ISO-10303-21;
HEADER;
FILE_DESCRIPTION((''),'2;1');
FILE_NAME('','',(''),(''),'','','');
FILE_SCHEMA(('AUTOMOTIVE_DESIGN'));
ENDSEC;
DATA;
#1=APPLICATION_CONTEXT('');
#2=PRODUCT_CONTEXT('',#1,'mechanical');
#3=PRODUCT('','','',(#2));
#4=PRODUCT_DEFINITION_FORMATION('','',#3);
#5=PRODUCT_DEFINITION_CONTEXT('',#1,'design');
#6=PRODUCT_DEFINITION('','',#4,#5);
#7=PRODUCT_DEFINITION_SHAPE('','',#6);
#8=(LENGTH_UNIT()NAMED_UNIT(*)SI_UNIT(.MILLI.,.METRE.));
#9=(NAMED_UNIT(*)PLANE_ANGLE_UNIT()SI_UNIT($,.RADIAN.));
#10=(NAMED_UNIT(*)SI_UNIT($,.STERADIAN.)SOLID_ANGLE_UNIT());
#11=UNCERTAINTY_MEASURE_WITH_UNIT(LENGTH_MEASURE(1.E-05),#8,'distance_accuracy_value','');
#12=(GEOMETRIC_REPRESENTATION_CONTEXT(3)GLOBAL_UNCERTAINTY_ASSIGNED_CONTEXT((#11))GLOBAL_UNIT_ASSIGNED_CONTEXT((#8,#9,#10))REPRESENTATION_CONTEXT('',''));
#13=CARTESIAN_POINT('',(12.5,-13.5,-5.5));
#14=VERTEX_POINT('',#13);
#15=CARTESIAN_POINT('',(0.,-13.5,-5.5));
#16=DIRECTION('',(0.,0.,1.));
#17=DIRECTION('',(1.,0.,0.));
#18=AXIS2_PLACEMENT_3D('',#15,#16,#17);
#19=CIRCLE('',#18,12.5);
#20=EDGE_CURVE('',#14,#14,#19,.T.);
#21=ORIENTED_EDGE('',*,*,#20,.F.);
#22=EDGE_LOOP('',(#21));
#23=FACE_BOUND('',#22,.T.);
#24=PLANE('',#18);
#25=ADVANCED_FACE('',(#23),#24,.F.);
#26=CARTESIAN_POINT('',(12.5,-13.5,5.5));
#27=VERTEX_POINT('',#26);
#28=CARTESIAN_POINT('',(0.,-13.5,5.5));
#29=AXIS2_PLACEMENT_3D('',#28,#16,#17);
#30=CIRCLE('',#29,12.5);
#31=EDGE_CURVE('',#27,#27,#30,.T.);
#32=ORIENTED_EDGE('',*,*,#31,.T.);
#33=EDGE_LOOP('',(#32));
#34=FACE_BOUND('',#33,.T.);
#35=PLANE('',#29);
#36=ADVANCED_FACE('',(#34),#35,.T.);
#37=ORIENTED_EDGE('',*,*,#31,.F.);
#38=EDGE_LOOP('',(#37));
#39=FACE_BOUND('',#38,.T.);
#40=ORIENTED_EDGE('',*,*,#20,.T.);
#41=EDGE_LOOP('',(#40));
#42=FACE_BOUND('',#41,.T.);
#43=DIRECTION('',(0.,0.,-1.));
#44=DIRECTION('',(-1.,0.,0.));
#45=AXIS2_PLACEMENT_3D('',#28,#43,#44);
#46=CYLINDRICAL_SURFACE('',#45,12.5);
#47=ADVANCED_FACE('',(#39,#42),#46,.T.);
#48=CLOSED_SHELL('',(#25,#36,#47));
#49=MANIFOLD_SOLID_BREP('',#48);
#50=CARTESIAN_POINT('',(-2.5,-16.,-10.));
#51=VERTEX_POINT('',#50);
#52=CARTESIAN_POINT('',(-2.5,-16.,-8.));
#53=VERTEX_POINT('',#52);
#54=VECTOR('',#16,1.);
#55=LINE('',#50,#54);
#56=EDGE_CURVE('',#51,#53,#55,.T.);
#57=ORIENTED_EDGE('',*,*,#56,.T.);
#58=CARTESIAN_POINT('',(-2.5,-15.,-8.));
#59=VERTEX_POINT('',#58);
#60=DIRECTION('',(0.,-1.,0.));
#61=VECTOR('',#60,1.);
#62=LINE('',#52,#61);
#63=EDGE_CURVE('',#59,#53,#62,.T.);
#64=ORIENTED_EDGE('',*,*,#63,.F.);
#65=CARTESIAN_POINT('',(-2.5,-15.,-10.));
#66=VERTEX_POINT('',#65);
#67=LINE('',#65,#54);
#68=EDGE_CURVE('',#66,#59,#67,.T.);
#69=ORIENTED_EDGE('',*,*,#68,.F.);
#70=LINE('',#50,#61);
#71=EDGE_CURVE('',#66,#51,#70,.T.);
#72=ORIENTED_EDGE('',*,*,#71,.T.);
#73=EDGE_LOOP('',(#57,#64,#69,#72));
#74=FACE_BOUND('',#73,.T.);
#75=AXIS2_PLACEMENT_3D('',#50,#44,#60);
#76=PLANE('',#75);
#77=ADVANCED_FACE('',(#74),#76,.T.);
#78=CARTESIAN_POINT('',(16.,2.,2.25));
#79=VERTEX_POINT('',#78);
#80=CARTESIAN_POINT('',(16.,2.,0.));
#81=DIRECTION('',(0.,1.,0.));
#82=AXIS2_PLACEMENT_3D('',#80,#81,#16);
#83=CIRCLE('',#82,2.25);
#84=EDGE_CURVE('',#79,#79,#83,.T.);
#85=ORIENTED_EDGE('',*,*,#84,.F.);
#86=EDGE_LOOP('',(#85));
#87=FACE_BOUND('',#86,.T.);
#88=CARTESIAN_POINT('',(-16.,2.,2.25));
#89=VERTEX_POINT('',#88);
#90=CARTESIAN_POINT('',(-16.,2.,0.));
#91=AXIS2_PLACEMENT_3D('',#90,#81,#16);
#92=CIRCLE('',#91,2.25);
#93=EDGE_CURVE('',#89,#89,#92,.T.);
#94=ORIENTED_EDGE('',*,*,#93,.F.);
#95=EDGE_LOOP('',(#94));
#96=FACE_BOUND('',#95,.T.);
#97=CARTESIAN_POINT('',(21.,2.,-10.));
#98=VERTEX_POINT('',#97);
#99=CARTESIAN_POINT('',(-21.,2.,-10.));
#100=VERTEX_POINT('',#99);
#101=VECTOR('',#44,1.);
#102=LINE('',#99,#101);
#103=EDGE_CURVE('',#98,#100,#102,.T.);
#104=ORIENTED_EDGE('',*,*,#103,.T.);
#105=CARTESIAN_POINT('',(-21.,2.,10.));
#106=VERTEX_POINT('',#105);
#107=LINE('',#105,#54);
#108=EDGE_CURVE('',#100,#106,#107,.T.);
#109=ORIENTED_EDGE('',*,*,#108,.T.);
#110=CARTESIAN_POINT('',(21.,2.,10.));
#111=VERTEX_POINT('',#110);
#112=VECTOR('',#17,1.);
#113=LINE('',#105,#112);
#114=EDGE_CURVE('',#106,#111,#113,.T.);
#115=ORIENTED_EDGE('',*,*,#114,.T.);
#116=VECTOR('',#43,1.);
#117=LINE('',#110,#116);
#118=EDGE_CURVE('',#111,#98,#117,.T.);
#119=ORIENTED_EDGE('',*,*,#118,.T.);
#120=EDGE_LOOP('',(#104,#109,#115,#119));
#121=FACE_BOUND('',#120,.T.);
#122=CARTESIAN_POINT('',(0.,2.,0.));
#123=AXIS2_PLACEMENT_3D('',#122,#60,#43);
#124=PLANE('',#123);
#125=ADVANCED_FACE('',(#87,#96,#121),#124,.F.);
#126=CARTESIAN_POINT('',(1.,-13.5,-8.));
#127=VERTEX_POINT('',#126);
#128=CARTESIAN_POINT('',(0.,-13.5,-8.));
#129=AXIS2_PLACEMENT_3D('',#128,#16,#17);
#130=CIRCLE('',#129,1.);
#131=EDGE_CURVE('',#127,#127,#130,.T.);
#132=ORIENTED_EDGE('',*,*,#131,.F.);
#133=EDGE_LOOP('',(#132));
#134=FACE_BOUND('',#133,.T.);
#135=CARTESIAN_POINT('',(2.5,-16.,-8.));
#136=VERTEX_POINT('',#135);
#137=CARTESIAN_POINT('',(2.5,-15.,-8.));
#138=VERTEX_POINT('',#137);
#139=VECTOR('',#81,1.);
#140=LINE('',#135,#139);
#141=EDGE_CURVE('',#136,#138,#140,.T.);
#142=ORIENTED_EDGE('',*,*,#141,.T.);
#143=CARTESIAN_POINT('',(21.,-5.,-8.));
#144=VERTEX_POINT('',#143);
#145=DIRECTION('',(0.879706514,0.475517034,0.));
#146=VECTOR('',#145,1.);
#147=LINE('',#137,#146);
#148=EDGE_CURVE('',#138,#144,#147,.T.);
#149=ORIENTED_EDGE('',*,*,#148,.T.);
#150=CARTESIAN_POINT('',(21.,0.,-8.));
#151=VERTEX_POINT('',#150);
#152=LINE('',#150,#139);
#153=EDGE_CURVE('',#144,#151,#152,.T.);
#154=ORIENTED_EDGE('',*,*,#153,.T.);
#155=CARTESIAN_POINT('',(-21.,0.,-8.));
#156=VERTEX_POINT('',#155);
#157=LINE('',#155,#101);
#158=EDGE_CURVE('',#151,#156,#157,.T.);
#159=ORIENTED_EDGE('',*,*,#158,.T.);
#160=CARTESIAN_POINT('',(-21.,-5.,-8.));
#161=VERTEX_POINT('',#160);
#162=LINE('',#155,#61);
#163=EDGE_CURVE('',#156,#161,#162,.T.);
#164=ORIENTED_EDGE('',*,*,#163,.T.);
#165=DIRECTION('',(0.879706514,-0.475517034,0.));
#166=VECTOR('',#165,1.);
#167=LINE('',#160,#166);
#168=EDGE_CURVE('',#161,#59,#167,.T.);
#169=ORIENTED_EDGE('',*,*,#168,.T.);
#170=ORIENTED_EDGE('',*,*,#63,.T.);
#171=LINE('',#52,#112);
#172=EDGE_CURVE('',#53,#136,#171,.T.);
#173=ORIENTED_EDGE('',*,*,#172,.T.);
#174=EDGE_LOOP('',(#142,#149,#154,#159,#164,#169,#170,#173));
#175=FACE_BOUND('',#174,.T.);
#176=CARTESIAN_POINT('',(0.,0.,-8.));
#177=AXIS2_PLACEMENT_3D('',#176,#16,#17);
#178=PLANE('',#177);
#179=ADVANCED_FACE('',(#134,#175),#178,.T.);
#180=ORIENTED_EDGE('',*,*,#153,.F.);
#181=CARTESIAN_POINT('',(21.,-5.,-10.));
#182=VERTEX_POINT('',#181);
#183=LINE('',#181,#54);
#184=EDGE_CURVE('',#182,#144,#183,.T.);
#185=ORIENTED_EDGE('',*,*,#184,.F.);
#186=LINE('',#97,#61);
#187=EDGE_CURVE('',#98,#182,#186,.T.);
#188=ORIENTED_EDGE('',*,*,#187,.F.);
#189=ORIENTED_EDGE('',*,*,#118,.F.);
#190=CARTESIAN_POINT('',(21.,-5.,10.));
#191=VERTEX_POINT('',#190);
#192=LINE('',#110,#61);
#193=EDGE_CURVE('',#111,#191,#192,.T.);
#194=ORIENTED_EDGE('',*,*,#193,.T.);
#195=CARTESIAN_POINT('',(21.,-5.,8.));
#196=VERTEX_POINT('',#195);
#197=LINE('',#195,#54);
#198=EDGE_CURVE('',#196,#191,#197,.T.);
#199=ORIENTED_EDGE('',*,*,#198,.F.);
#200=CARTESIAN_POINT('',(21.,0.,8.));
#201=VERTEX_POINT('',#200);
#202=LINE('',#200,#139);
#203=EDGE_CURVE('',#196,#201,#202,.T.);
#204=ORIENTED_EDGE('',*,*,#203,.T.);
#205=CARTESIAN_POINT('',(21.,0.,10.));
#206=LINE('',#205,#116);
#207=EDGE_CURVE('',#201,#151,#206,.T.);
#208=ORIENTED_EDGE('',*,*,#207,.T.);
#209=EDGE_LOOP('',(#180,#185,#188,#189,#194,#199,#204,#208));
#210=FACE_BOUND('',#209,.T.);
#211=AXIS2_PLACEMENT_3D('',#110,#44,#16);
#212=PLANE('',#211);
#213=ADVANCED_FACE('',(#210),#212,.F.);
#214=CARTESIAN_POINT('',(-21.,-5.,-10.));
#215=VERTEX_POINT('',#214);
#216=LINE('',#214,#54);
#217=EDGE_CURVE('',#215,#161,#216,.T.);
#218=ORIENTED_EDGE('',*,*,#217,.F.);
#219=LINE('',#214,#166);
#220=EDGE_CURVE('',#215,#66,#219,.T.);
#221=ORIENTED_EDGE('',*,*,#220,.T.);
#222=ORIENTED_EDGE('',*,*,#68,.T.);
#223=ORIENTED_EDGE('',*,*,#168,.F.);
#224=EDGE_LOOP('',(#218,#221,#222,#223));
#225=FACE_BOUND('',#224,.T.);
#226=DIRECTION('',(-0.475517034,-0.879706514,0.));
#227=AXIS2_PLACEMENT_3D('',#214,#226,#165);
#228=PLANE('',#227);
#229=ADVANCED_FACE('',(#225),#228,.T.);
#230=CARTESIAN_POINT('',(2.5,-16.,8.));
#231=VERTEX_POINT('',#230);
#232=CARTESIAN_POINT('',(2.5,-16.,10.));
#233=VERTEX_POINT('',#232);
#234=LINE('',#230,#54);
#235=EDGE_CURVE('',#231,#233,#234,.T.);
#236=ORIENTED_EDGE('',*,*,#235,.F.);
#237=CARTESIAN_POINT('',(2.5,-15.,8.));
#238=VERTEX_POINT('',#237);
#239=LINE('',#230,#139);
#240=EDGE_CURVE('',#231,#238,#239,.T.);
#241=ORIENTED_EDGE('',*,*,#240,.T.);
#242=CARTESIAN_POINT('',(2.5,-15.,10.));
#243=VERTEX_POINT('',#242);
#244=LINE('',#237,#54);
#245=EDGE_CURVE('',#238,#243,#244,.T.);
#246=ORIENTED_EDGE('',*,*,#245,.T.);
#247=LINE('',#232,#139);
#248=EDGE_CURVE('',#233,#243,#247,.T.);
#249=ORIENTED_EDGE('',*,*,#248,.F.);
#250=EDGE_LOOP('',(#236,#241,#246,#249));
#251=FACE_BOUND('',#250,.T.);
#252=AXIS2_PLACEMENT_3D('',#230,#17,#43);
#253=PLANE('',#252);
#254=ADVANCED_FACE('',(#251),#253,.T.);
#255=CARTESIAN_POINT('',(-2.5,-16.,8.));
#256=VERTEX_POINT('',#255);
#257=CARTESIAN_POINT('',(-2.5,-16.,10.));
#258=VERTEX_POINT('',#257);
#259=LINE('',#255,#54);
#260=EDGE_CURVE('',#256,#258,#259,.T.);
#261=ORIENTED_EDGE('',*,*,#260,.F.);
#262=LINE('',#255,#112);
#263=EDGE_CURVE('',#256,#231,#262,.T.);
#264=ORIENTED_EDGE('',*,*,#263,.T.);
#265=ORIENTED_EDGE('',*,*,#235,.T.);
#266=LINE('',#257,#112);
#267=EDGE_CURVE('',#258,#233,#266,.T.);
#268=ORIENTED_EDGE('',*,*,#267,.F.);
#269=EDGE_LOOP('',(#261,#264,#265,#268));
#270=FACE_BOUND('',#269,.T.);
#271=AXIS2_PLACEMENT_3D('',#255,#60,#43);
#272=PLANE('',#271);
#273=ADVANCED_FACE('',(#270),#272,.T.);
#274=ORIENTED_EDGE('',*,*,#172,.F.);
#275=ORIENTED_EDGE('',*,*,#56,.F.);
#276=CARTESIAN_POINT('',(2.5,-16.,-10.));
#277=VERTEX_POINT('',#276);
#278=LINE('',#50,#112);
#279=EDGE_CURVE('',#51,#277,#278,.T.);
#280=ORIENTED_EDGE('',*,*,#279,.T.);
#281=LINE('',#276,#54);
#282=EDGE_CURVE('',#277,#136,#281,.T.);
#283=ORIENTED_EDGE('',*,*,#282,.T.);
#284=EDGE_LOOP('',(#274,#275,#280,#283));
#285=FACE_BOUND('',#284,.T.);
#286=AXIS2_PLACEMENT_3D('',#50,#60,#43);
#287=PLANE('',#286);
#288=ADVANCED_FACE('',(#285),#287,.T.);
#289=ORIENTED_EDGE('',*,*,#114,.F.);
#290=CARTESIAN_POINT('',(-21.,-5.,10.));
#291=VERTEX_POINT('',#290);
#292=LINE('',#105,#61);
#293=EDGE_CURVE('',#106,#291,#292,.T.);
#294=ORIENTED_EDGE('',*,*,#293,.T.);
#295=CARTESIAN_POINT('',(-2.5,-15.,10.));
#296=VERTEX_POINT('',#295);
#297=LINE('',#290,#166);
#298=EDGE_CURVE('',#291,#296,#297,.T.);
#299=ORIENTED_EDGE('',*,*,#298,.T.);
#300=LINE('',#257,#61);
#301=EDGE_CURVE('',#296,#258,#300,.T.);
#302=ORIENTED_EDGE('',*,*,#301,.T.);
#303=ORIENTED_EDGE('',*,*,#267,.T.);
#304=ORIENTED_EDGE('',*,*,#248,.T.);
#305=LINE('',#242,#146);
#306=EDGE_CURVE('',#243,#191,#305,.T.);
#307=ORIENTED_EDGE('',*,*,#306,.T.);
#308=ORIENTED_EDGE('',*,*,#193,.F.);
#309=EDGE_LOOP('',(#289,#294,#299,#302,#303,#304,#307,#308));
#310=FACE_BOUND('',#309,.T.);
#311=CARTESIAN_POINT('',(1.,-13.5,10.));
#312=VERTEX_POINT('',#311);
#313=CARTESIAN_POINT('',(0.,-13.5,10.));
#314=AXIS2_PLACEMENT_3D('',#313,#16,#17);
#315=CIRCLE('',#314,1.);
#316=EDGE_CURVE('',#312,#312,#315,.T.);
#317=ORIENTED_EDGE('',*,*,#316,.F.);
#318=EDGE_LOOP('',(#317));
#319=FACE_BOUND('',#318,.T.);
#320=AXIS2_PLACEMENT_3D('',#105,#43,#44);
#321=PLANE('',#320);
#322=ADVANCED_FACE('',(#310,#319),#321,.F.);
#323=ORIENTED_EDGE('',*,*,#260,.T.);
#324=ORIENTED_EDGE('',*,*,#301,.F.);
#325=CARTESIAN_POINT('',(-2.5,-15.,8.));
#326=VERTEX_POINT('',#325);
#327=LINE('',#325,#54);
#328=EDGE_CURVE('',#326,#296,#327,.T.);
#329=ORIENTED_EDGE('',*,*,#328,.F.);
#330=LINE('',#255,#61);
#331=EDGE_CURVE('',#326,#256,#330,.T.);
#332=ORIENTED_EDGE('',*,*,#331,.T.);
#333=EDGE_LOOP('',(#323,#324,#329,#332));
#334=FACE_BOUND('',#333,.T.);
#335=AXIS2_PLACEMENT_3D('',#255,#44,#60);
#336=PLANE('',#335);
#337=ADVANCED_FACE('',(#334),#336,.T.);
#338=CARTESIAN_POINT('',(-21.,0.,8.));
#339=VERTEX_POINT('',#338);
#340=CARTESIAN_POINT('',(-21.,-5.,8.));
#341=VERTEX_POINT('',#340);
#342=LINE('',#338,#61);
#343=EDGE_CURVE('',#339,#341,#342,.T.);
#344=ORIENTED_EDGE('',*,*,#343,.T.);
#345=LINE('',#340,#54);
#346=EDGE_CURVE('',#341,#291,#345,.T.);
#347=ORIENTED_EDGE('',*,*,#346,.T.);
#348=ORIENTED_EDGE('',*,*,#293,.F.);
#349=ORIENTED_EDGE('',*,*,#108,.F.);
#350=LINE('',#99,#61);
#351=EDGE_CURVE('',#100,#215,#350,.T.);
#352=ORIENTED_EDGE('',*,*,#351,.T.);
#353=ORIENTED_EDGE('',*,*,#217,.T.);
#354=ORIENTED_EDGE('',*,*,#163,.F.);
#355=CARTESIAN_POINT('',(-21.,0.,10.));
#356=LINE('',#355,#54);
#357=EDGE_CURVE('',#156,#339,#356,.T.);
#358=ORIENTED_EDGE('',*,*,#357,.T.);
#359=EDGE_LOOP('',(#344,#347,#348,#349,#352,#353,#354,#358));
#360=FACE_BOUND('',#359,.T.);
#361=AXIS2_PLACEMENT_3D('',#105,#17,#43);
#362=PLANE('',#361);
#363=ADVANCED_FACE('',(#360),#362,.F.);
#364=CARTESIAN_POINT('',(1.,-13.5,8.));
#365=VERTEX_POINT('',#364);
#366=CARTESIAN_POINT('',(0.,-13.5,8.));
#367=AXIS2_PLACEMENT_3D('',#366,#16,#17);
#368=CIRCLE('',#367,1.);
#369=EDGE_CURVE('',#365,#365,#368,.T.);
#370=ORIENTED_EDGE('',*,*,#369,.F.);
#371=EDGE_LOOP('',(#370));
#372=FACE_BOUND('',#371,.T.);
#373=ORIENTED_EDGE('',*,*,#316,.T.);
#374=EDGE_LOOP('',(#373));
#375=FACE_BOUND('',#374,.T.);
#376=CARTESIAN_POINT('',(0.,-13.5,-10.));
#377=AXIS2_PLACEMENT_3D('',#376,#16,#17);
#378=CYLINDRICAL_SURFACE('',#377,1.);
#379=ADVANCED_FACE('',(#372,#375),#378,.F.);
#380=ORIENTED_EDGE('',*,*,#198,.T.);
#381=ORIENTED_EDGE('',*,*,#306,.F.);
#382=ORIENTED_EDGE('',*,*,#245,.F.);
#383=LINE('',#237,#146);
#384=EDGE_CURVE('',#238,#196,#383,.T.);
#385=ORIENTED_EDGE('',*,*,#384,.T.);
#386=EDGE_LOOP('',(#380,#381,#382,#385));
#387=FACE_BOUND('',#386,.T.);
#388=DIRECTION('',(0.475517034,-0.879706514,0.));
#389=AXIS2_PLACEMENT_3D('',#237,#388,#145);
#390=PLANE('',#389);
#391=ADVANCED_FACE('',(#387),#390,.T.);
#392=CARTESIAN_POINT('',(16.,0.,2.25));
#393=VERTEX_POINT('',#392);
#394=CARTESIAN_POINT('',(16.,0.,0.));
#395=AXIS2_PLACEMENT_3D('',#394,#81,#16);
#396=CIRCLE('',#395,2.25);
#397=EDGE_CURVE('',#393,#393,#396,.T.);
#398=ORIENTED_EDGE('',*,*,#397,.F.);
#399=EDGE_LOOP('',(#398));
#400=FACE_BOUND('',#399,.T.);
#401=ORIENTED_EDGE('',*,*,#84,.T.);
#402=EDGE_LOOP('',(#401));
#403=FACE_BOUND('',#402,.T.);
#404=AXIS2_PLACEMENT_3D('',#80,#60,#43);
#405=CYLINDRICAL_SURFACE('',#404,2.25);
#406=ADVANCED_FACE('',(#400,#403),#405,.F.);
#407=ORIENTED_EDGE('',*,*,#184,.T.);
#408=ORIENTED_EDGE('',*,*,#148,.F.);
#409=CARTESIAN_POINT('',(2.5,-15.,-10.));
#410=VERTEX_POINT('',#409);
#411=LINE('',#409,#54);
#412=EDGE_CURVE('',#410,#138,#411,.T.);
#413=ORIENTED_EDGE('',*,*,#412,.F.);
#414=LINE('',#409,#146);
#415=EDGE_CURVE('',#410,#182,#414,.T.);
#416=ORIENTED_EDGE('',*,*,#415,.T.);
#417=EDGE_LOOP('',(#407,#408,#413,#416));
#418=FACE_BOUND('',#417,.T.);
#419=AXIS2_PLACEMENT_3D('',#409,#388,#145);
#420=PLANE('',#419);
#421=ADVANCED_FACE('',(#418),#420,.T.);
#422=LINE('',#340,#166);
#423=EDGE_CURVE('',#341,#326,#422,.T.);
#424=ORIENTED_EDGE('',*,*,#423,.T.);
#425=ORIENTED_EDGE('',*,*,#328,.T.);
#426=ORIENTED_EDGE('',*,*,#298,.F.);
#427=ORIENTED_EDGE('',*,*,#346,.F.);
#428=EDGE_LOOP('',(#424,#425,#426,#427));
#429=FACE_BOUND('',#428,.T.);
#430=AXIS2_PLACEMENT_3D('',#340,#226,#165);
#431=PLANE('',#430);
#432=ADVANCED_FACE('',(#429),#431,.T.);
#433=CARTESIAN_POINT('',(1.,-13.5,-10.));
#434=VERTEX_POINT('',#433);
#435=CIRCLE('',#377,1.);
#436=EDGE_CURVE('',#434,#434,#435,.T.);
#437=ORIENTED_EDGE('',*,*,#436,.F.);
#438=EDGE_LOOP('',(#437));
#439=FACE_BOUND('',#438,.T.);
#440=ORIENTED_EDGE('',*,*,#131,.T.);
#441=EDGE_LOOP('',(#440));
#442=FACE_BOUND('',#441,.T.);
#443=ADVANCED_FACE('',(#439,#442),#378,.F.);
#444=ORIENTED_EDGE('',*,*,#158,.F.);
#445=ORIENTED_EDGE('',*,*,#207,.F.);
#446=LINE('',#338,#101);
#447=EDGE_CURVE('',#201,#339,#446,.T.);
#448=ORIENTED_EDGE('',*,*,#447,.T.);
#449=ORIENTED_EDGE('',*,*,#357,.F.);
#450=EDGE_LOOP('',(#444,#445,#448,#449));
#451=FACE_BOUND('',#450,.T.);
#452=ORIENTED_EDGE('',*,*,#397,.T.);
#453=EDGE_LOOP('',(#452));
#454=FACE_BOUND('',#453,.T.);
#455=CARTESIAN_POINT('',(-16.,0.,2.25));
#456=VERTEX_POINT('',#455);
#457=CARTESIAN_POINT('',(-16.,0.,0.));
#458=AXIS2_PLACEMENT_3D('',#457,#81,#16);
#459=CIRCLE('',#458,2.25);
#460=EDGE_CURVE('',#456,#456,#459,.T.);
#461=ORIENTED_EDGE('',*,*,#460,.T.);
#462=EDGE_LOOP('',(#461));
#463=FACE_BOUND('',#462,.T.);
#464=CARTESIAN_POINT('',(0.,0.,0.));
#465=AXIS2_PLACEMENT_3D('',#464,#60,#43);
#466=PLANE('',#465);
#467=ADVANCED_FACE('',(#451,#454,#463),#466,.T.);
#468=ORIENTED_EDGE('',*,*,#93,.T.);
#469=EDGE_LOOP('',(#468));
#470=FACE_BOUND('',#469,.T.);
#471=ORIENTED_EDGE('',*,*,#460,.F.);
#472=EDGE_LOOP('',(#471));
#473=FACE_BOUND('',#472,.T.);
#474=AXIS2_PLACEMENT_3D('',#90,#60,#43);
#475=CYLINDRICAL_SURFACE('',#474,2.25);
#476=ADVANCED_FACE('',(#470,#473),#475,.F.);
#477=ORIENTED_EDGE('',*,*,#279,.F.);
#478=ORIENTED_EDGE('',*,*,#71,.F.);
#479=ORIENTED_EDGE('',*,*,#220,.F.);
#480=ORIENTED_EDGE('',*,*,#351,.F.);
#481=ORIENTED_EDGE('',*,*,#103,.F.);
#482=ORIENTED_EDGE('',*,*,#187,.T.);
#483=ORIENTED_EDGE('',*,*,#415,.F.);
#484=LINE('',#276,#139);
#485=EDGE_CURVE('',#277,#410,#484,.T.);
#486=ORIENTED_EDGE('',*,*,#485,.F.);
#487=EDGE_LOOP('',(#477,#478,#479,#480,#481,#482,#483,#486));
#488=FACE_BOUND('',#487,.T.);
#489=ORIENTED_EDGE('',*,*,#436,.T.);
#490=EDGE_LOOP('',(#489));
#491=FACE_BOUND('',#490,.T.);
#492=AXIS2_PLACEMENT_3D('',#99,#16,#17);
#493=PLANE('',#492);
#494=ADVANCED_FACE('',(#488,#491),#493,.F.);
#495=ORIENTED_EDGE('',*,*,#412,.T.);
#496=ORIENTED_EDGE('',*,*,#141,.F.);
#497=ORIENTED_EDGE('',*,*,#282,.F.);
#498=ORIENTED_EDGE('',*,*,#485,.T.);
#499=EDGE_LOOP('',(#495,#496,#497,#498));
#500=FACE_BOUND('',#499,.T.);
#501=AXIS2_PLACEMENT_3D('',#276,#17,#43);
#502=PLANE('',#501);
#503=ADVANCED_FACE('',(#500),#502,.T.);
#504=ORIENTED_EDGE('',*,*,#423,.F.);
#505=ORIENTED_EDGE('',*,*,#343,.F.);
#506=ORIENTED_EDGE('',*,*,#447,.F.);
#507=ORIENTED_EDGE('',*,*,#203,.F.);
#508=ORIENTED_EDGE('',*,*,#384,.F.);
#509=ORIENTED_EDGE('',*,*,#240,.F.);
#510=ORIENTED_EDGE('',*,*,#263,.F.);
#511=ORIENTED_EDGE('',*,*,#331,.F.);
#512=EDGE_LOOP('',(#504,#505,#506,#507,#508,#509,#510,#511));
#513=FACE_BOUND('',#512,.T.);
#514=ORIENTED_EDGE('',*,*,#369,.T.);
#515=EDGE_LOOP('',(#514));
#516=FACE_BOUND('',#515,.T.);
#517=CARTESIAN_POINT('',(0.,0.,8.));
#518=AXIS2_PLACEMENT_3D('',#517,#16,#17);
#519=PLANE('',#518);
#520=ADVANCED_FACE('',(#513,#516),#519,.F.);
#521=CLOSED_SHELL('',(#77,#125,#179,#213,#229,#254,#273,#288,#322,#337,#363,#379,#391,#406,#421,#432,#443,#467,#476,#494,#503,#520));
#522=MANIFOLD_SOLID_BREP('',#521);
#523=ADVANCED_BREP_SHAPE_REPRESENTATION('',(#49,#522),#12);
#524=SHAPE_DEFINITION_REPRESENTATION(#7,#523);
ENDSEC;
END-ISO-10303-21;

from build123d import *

# Parameters (mm, degrees)
SKETCH_1_W               = 42
SKETCH_1_H               = 20
SKETCH_1_R               = 2.25
EXTRUDE_1_DEPTH          = 2
EXTRUDE_START            = -5.5
SKETCH_2_R               = 12.5
EXTRUDE_2_DEPTH          = 11
EXTRUDE_3_DEPTH          = 2
PATTERN_LINEAR_1_COUNT   = 2
PATTERN_LINEAR_1_PITCH   = 18
CUT_EXTRUDE_1_DEPTH      = 38.960505792
CUT_EXTRUDE_1_DEPTH_BACK = 38.960505792
SKETCH_4_R               = 1


with BuildPart() as part:
    # Эскиз1 → Бобышка-Вытянуть1 (new body)
    with BuildSketch(Plane(origin=(0, 0, 0), x_dir=(1, 0, 0), z_dir=(0, 1, 0))):
        Rectangle(SKETCH_1_W, SKETCH_1_H)
        with Locations(Location((-16, 0, 0), (0, 0, 270))):
            Circle(SKETCH_1_R, mode=Mode.SUBTRACT)
        with Locations(Location((16, 0, 0), (0, 0, 270))):
            Circle(SKETCH_1_R, mode=Mode.SUBTRACT)
    extrude(amount=EXTRUDE_1_DEPTH)

    # Эскиз3 → Бобышка-Вытянуть3 (add)
    with BuildSketch(Plane.XY.offset(10)):
        Polygon((-21, -5), (-2.5, -15), (-2.5, -16), (2.5, -16), (2.5, -15), (21, -5), (21, 0), (-21, 0), align=None)
    extrude_3 = extrude(amount=-EXTRUDE_3_DEPTH)

    # Линейный массив1: Бобышка-Вытянуть3 ×2
    with Locations(*[(0, 0, -i * PATTERN_LINEAR_1_PITCH) for i in range(1, PATTERN_LINEAR_1_COUNT)]):
        add(extrude_3)

    # Эскиз4 → Вырез-Вытянуть1 (cut, two sides: drawn at the far end of the back side and taken through both)
    with BuildSketch(Plane.XY.offset(-8).offset(-CUT_EXTRUDE_1_DEPTH_BACK)):
        with Locations((0, -13.5)):
            Circle(SKETCH_4_R)
    extrude(amount=CUT_EXTRUDE_1_DEPTH + CUT_EXTRUDE_1_DEPTH_BACK, mode=Mode.SUBTRACT)


with BuildPart() as body_2:
    # Эскиз2 → Бобышка-Вытянуть2 (new body)
    with BuildSketch(Plane.XY.offset(EXTRUDE_START)):
        with Locations((0, -13.5)):
            Circle(SKETCH_2_R)
    extrude(amount=EXTRUDE_2_DEPTH)


solid = Compound([part.part, body_2.part])
